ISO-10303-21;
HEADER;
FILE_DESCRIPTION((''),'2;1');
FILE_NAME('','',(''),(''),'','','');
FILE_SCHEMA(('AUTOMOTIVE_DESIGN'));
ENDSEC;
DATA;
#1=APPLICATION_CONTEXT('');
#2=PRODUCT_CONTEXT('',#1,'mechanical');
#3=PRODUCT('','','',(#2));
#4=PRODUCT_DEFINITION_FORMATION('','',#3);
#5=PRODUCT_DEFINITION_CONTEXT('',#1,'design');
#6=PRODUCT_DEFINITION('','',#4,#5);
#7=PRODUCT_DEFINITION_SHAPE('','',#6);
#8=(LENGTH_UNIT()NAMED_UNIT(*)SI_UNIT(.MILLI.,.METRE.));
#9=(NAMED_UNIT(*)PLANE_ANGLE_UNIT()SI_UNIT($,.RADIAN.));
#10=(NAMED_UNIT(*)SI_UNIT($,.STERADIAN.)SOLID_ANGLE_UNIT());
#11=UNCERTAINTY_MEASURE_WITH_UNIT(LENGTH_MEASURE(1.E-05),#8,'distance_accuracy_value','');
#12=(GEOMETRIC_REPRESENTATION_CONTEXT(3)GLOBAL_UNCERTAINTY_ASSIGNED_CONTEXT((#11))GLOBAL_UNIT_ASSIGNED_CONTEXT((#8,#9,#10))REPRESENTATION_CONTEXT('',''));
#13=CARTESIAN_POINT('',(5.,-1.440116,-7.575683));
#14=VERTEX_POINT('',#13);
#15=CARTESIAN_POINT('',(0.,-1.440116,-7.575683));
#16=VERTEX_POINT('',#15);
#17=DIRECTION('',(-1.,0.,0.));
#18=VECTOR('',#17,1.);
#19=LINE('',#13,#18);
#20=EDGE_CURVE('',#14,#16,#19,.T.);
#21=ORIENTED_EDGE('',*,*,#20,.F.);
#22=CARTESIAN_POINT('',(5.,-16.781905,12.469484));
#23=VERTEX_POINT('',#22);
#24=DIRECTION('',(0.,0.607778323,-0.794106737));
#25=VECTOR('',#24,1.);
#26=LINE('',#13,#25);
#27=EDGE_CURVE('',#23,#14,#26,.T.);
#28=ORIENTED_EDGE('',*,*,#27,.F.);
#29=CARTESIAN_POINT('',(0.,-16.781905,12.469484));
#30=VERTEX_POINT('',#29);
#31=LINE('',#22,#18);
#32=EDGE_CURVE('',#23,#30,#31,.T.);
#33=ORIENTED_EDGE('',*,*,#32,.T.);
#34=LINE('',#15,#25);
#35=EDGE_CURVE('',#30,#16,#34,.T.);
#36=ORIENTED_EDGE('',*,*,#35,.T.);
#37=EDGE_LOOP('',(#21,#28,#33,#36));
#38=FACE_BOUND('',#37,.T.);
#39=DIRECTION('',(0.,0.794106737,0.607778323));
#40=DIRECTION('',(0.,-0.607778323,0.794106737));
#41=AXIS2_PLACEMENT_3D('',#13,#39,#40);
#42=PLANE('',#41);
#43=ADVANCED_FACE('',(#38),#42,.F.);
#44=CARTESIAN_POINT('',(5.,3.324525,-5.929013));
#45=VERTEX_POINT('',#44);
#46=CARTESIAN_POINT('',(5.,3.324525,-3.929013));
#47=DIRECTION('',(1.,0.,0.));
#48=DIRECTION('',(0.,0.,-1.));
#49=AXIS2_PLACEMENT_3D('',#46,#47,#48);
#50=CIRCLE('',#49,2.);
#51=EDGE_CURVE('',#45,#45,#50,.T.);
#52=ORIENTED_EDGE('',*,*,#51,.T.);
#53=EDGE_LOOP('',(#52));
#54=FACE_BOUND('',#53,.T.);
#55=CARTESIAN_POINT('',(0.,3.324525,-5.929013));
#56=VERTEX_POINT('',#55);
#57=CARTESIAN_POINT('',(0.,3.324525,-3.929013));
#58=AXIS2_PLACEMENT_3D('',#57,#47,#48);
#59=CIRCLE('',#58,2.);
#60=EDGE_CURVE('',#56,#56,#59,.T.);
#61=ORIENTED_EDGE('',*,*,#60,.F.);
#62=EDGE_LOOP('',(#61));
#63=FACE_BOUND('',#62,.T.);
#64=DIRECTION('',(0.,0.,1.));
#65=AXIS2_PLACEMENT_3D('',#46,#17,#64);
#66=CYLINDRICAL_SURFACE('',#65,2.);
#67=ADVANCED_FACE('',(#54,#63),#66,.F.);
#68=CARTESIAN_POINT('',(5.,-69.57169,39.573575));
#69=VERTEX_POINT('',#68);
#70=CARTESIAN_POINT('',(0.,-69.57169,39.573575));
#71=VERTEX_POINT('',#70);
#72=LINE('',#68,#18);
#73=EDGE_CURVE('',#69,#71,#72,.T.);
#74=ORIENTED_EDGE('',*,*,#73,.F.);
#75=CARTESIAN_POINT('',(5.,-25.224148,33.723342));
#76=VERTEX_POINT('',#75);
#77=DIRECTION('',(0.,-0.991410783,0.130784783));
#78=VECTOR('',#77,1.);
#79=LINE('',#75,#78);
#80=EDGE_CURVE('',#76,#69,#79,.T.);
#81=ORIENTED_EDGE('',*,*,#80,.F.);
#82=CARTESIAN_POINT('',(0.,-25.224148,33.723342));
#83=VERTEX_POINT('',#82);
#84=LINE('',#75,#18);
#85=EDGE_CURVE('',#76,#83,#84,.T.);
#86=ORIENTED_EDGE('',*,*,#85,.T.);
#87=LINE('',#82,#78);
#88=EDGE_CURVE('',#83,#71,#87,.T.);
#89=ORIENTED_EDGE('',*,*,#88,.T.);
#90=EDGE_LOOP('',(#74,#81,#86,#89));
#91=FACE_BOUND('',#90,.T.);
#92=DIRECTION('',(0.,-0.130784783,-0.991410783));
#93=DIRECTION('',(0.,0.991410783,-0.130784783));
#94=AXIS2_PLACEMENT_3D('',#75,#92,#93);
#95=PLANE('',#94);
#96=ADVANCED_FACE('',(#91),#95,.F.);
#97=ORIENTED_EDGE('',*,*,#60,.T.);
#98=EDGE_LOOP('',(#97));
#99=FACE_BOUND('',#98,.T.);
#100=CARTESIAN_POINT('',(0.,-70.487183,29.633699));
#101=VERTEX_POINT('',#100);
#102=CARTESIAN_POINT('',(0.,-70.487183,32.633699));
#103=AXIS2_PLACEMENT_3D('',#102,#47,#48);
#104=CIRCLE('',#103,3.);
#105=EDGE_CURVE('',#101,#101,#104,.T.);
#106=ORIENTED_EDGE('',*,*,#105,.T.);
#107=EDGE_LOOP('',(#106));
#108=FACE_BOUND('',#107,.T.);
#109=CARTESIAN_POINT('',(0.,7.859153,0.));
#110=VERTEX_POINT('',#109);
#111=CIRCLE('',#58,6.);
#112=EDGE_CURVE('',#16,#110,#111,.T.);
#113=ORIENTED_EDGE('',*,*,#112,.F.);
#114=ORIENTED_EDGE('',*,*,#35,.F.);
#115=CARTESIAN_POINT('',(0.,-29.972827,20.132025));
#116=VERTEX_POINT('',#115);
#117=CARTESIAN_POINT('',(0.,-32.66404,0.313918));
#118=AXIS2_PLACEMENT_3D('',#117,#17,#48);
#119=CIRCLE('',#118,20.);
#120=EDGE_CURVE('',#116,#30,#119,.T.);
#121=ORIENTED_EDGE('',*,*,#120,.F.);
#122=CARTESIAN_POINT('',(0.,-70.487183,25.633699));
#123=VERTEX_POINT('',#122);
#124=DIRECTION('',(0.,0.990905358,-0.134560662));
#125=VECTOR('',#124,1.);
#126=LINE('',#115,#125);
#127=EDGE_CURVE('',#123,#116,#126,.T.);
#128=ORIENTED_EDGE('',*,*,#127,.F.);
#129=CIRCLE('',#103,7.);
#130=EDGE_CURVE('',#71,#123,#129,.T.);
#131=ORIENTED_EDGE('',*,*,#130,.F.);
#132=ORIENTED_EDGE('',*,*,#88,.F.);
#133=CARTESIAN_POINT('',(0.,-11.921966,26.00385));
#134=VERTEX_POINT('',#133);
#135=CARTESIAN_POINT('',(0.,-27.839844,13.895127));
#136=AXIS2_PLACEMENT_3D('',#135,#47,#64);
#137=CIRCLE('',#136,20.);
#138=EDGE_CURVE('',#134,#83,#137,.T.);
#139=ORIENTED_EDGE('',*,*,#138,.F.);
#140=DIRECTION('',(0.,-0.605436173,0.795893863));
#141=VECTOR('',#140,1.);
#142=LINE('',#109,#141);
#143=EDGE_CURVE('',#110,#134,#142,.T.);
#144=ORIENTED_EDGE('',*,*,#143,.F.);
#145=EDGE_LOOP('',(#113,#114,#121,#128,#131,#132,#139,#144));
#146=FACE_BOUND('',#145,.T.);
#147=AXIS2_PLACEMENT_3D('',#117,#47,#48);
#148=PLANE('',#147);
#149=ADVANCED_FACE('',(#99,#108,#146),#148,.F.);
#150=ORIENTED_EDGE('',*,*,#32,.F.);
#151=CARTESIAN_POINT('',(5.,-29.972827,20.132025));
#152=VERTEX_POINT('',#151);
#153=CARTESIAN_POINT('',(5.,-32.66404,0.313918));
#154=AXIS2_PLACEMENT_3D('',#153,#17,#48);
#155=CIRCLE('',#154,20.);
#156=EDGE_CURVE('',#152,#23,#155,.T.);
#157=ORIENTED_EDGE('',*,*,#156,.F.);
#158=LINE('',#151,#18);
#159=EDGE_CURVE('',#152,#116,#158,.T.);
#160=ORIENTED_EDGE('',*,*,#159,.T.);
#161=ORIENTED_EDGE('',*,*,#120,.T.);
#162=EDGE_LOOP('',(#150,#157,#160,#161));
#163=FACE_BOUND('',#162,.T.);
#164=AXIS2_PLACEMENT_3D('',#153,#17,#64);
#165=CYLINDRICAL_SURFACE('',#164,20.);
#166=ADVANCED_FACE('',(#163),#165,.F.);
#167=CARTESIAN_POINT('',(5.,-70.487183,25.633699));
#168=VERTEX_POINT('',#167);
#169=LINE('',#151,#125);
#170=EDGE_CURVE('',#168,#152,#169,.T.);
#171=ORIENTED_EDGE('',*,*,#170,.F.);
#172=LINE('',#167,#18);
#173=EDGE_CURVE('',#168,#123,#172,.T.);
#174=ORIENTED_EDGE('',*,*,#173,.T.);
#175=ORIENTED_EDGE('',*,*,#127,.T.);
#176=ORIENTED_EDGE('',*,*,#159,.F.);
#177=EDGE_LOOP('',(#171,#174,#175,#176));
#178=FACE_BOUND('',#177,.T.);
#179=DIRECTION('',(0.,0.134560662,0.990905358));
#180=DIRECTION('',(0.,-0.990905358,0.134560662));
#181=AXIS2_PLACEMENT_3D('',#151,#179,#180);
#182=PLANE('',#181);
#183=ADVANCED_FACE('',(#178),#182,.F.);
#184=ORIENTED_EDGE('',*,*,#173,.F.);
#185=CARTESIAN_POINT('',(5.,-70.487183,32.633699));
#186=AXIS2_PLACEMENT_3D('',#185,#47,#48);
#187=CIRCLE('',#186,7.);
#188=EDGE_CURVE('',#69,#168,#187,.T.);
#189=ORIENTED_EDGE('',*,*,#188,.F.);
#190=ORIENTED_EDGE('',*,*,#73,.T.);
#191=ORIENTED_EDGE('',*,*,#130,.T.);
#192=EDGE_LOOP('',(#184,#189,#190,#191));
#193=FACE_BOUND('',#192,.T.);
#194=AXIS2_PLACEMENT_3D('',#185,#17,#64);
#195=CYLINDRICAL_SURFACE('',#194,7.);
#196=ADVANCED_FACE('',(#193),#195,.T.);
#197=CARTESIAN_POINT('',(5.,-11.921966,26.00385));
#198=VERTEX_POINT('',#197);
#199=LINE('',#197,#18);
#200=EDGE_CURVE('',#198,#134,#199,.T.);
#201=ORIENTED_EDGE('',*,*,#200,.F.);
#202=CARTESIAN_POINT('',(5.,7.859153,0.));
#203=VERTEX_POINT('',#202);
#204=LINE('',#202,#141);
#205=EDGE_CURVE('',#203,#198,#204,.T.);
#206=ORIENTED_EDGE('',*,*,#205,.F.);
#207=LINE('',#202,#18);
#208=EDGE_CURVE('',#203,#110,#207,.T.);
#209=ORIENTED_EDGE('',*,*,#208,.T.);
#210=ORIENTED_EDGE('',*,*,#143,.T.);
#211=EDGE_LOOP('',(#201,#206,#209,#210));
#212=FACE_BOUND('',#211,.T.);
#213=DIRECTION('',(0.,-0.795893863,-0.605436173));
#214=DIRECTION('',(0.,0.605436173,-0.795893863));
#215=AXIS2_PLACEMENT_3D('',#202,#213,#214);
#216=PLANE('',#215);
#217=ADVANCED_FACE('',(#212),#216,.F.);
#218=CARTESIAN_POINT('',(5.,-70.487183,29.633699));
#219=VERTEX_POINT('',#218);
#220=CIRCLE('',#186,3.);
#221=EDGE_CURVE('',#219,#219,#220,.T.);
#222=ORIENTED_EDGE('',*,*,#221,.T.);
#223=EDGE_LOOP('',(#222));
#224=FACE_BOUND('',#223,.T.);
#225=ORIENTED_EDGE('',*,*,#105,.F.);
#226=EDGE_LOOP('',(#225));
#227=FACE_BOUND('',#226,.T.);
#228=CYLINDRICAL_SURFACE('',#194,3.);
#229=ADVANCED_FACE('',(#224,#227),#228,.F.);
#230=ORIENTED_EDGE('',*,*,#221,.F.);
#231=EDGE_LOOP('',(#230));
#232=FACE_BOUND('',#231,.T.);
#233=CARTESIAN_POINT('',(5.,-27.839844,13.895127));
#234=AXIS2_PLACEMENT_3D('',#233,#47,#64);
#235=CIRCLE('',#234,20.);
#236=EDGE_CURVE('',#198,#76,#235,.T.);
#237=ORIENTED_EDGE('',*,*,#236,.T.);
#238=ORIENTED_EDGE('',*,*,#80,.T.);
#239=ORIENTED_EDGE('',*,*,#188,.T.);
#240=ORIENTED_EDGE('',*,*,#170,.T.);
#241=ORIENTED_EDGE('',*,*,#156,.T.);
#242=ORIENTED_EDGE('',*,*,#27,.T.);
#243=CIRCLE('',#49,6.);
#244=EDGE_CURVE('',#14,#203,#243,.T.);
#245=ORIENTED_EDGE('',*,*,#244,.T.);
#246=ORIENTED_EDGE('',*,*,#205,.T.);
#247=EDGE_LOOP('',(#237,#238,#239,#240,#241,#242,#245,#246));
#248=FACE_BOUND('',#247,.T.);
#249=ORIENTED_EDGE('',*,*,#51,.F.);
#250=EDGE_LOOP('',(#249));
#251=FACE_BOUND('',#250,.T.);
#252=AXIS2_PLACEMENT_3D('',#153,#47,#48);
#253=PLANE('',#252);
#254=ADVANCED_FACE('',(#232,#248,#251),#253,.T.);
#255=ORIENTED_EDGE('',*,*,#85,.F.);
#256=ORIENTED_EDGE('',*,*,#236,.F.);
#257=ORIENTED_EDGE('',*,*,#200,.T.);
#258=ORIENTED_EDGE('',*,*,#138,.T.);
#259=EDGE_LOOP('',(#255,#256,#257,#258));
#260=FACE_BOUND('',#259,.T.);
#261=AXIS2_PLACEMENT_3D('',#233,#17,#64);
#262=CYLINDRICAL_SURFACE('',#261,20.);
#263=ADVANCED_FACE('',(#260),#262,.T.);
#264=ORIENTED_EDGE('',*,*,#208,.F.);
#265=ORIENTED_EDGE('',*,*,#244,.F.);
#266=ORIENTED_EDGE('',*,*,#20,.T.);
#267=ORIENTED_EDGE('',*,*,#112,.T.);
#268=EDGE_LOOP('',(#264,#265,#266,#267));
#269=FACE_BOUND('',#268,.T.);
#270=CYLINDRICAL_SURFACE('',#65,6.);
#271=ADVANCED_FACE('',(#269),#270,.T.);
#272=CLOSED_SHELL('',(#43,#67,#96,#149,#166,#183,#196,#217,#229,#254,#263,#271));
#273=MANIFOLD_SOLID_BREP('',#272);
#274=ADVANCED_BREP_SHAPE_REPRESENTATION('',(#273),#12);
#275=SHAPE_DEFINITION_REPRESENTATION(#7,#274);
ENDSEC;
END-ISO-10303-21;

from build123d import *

# Parameters (mm, degrees)
SKETCH_1_R      = 2
SKETCH_1_R_2    = 3
EXTRUDE_1_DEPTH = 5


with BuildPart() as part:
    # Эскиз1 → Вытянуть1 (new body)
    with BuildSketch(Plane(origin=(0, 0, 0), x_dir=(0, 0, -1), z_dir=(1, 0, 0))):
        with BuildLine():
            Line((7.575683133, -1.440115884), (-12.469484281, -16.781905188))
            ThreePointArc((-12.469484281, -16.781905188), (-17.607820026, -22.618098146), (-20.13202497, -29.972826683))
            Line((-20.13202497, -29.972826683), (-25.633699378, -70.487183266))
            ThreePointArc((-25.633699378, -70.487183266), (-33.092432219, -77.472135963), (-39.573574859, -69.571689784))
            Line((-39.573574859, -69.571689784), (-33.723342294, -25.224147921))
            ThreePointArc((-33.723342294, -25.224147921), (-31.193364371, -17.801369037), (-26.003850091, -11.921966331))
            Line((-26.003850091, -11.921966331), (0, 7.859153004))
            ThreePointArc((0, 7.859153004), (8.580790261, 7.114111601), (7.575683133, -1.440115884))
        make_face()
        with Locations((3.929013193, 3.324524538)):
            Circle(SKETCH_1_R, mode=Mode.SUBTRACT)
        with Locations((-32.633699378, -70.487183266)):
            Circle(SKETCH_1_R_2, mode=Mode.SUBTRACT)
    extrude(amount=EXTRUDE_1_DEPTH)


solid = part.part
